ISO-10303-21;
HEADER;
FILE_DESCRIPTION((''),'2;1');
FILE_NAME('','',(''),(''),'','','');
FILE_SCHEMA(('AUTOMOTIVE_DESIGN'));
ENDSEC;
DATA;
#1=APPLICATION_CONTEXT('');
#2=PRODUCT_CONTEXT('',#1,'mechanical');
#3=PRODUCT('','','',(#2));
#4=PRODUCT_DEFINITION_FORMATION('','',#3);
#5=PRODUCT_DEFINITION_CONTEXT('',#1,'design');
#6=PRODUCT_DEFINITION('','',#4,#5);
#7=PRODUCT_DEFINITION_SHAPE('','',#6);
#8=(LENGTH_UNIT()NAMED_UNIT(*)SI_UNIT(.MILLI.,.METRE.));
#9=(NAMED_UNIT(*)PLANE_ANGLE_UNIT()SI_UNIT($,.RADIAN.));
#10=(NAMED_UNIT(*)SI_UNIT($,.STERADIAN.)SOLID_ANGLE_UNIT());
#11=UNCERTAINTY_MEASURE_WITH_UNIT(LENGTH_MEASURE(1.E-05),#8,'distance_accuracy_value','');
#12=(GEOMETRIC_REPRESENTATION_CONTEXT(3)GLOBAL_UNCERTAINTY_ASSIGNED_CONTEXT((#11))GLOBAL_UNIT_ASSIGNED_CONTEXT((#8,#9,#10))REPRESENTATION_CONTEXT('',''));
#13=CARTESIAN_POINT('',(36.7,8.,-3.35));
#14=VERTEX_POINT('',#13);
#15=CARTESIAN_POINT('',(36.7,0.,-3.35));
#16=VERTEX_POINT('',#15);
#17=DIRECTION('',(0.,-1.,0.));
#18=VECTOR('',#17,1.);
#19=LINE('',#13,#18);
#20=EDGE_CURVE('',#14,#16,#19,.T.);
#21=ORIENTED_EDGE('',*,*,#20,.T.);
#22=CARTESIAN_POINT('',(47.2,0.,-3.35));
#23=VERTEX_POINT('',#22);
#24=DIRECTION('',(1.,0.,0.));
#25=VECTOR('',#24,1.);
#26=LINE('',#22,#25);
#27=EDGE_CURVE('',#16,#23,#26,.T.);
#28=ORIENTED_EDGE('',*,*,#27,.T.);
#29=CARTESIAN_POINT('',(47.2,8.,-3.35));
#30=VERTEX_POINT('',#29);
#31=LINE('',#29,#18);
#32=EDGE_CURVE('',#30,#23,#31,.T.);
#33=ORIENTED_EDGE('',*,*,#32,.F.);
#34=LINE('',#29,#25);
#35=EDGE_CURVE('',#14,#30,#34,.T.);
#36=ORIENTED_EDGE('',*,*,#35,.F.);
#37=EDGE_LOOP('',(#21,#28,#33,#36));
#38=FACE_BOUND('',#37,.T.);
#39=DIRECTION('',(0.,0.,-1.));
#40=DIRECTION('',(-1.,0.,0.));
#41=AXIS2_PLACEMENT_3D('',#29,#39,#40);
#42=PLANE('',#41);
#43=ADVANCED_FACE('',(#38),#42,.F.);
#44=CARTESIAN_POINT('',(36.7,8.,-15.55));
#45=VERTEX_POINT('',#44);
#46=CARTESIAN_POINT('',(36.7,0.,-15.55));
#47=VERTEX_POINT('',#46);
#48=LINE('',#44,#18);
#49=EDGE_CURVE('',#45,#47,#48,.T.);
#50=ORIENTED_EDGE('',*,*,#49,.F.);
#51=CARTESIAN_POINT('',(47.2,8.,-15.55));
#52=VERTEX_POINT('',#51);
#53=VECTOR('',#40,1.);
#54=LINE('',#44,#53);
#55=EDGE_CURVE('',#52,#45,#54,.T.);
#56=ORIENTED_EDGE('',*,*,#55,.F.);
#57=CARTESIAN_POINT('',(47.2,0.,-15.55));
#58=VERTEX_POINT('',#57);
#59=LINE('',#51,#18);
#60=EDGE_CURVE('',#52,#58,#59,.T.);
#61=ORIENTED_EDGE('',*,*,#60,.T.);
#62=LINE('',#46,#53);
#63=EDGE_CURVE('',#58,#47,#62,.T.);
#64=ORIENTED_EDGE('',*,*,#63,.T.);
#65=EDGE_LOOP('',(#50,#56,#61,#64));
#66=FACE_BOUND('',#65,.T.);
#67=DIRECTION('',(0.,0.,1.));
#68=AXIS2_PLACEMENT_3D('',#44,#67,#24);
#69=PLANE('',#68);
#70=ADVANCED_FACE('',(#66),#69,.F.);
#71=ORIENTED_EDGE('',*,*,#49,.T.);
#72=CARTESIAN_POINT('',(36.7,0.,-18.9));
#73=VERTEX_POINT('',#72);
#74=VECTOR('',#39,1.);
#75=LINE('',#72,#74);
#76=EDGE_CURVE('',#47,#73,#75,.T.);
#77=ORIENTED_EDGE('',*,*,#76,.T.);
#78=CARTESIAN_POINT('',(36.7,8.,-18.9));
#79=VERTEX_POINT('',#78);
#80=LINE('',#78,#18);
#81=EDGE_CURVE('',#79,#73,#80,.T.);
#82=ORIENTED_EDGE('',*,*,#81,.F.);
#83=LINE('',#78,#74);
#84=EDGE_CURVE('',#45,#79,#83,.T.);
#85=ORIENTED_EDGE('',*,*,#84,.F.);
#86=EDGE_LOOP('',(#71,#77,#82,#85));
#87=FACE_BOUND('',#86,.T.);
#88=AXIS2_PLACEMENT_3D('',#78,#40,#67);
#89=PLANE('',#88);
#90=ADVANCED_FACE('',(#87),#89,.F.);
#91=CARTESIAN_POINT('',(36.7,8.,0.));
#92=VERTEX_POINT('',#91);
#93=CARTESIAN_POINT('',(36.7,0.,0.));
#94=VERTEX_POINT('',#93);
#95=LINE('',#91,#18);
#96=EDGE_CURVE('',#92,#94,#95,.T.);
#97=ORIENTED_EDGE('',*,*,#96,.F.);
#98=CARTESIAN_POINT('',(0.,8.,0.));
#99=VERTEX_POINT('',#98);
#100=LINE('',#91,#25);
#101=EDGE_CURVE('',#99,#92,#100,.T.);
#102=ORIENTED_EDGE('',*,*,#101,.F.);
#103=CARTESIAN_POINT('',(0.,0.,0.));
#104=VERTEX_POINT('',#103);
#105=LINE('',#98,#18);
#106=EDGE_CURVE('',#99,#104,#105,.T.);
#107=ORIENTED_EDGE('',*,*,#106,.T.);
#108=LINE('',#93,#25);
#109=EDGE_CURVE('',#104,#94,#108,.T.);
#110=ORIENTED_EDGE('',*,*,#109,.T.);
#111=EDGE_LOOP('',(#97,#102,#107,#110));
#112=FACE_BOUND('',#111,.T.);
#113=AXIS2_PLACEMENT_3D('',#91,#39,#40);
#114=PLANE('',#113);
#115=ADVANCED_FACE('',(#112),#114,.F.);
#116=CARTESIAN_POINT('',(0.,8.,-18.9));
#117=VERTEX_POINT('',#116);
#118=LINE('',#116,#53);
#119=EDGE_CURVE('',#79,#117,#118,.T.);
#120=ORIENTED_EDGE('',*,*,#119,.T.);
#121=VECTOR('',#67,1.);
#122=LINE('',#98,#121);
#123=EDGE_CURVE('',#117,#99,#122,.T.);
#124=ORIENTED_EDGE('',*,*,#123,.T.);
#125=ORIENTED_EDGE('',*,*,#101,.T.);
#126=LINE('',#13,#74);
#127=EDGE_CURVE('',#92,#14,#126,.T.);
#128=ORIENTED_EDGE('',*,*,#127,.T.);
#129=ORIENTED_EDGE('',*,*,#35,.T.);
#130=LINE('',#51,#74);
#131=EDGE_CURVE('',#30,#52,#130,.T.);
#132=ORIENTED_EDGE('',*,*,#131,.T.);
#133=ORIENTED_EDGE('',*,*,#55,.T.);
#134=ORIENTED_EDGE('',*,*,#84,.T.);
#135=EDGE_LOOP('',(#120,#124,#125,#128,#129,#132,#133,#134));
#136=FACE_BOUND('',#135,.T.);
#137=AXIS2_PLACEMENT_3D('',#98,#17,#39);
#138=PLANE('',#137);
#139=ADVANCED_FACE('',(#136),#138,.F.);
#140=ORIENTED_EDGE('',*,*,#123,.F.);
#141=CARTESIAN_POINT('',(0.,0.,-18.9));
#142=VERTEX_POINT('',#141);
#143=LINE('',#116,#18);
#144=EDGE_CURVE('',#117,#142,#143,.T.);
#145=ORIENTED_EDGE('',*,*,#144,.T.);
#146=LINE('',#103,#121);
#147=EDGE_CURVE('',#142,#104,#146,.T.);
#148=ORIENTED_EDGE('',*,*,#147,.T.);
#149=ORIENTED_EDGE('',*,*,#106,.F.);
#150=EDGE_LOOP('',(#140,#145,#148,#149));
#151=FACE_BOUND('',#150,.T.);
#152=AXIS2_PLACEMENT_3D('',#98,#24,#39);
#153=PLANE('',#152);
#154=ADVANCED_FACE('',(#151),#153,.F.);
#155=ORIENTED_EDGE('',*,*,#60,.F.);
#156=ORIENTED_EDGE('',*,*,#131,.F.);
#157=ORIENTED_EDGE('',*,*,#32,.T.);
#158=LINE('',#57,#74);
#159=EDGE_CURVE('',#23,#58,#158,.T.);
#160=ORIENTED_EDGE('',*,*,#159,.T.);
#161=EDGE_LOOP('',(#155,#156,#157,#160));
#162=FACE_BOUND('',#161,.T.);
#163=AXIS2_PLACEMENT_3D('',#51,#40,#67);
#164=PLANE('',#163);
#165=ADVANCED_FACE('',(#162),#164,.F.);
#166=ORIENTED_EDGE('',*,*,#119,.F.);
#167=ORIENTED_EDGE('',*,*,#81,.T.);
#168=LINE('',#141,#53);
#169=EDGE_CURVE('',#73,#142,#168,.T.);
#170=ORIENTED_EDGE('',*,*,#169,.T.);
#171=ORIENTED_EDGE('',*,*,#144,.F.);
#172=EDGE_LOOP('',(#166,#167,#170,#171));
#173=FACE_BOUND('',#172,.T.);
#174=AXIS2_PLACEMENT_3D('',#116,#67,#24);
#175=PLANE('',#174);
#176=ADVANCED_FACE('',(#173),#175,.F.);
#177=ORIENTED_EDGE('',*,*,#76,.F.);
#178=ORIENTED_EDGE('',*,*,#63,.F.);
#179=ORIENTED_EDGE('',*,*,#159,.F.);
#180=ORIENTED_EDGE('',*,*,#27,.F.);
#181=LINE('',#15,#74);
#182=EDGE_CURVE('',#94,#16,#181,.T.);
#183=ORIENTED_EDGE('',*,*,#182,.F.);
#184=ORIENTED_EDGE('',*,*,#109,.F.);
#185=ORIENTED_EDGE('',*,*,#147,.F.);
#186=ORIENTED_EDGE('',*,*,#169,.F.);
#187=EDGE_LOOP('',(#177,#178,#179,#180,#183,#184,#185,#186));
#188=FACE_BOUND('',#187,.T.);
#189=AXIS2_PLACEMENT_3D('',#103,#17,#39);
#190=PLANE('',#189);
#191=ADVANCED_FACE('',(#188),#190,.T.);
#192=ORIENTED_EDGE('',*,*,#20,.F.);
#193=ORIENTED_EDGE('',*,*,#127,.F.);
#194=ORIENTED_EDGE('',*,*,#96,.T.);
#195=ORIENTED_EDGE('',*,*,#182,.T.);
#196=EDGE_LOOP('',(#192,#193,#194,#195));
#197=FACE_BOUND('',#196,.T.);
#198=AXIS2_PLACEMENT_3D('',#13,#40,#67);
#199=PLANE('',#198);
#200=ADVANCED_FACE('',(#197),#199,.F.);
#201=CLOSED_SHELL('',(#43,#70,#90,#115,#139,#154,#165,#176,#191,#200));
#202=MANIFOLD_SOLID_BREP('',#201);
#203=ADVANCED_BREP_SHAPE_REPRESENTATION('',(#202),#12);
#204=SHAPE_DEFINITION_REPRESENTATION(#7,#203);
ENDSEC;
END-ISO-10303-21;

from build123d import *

# Parameters (mm, degrees)
BOSS_EXTRUDE1_DEPTH = 8


with BuildPart() as part:
    # Sketch1 → Boss-Extrude1 (new body)
    with BuildSketch(Plane(origin=(0, 0, 0), x_dir=(1, 0, 0), z_dir=(0, 1, 0))):
        Polygon((0, 0), (0, 18.9), (36.7, 18.9), (36.7, 15.55), (47.2, 15.55), (47.2, 3.35), (36.7, 3.35), (36.7, 0), align=None)
    extrude(amount=BOSS_EXTRUDE1_DEPTH)


solid = part.part
